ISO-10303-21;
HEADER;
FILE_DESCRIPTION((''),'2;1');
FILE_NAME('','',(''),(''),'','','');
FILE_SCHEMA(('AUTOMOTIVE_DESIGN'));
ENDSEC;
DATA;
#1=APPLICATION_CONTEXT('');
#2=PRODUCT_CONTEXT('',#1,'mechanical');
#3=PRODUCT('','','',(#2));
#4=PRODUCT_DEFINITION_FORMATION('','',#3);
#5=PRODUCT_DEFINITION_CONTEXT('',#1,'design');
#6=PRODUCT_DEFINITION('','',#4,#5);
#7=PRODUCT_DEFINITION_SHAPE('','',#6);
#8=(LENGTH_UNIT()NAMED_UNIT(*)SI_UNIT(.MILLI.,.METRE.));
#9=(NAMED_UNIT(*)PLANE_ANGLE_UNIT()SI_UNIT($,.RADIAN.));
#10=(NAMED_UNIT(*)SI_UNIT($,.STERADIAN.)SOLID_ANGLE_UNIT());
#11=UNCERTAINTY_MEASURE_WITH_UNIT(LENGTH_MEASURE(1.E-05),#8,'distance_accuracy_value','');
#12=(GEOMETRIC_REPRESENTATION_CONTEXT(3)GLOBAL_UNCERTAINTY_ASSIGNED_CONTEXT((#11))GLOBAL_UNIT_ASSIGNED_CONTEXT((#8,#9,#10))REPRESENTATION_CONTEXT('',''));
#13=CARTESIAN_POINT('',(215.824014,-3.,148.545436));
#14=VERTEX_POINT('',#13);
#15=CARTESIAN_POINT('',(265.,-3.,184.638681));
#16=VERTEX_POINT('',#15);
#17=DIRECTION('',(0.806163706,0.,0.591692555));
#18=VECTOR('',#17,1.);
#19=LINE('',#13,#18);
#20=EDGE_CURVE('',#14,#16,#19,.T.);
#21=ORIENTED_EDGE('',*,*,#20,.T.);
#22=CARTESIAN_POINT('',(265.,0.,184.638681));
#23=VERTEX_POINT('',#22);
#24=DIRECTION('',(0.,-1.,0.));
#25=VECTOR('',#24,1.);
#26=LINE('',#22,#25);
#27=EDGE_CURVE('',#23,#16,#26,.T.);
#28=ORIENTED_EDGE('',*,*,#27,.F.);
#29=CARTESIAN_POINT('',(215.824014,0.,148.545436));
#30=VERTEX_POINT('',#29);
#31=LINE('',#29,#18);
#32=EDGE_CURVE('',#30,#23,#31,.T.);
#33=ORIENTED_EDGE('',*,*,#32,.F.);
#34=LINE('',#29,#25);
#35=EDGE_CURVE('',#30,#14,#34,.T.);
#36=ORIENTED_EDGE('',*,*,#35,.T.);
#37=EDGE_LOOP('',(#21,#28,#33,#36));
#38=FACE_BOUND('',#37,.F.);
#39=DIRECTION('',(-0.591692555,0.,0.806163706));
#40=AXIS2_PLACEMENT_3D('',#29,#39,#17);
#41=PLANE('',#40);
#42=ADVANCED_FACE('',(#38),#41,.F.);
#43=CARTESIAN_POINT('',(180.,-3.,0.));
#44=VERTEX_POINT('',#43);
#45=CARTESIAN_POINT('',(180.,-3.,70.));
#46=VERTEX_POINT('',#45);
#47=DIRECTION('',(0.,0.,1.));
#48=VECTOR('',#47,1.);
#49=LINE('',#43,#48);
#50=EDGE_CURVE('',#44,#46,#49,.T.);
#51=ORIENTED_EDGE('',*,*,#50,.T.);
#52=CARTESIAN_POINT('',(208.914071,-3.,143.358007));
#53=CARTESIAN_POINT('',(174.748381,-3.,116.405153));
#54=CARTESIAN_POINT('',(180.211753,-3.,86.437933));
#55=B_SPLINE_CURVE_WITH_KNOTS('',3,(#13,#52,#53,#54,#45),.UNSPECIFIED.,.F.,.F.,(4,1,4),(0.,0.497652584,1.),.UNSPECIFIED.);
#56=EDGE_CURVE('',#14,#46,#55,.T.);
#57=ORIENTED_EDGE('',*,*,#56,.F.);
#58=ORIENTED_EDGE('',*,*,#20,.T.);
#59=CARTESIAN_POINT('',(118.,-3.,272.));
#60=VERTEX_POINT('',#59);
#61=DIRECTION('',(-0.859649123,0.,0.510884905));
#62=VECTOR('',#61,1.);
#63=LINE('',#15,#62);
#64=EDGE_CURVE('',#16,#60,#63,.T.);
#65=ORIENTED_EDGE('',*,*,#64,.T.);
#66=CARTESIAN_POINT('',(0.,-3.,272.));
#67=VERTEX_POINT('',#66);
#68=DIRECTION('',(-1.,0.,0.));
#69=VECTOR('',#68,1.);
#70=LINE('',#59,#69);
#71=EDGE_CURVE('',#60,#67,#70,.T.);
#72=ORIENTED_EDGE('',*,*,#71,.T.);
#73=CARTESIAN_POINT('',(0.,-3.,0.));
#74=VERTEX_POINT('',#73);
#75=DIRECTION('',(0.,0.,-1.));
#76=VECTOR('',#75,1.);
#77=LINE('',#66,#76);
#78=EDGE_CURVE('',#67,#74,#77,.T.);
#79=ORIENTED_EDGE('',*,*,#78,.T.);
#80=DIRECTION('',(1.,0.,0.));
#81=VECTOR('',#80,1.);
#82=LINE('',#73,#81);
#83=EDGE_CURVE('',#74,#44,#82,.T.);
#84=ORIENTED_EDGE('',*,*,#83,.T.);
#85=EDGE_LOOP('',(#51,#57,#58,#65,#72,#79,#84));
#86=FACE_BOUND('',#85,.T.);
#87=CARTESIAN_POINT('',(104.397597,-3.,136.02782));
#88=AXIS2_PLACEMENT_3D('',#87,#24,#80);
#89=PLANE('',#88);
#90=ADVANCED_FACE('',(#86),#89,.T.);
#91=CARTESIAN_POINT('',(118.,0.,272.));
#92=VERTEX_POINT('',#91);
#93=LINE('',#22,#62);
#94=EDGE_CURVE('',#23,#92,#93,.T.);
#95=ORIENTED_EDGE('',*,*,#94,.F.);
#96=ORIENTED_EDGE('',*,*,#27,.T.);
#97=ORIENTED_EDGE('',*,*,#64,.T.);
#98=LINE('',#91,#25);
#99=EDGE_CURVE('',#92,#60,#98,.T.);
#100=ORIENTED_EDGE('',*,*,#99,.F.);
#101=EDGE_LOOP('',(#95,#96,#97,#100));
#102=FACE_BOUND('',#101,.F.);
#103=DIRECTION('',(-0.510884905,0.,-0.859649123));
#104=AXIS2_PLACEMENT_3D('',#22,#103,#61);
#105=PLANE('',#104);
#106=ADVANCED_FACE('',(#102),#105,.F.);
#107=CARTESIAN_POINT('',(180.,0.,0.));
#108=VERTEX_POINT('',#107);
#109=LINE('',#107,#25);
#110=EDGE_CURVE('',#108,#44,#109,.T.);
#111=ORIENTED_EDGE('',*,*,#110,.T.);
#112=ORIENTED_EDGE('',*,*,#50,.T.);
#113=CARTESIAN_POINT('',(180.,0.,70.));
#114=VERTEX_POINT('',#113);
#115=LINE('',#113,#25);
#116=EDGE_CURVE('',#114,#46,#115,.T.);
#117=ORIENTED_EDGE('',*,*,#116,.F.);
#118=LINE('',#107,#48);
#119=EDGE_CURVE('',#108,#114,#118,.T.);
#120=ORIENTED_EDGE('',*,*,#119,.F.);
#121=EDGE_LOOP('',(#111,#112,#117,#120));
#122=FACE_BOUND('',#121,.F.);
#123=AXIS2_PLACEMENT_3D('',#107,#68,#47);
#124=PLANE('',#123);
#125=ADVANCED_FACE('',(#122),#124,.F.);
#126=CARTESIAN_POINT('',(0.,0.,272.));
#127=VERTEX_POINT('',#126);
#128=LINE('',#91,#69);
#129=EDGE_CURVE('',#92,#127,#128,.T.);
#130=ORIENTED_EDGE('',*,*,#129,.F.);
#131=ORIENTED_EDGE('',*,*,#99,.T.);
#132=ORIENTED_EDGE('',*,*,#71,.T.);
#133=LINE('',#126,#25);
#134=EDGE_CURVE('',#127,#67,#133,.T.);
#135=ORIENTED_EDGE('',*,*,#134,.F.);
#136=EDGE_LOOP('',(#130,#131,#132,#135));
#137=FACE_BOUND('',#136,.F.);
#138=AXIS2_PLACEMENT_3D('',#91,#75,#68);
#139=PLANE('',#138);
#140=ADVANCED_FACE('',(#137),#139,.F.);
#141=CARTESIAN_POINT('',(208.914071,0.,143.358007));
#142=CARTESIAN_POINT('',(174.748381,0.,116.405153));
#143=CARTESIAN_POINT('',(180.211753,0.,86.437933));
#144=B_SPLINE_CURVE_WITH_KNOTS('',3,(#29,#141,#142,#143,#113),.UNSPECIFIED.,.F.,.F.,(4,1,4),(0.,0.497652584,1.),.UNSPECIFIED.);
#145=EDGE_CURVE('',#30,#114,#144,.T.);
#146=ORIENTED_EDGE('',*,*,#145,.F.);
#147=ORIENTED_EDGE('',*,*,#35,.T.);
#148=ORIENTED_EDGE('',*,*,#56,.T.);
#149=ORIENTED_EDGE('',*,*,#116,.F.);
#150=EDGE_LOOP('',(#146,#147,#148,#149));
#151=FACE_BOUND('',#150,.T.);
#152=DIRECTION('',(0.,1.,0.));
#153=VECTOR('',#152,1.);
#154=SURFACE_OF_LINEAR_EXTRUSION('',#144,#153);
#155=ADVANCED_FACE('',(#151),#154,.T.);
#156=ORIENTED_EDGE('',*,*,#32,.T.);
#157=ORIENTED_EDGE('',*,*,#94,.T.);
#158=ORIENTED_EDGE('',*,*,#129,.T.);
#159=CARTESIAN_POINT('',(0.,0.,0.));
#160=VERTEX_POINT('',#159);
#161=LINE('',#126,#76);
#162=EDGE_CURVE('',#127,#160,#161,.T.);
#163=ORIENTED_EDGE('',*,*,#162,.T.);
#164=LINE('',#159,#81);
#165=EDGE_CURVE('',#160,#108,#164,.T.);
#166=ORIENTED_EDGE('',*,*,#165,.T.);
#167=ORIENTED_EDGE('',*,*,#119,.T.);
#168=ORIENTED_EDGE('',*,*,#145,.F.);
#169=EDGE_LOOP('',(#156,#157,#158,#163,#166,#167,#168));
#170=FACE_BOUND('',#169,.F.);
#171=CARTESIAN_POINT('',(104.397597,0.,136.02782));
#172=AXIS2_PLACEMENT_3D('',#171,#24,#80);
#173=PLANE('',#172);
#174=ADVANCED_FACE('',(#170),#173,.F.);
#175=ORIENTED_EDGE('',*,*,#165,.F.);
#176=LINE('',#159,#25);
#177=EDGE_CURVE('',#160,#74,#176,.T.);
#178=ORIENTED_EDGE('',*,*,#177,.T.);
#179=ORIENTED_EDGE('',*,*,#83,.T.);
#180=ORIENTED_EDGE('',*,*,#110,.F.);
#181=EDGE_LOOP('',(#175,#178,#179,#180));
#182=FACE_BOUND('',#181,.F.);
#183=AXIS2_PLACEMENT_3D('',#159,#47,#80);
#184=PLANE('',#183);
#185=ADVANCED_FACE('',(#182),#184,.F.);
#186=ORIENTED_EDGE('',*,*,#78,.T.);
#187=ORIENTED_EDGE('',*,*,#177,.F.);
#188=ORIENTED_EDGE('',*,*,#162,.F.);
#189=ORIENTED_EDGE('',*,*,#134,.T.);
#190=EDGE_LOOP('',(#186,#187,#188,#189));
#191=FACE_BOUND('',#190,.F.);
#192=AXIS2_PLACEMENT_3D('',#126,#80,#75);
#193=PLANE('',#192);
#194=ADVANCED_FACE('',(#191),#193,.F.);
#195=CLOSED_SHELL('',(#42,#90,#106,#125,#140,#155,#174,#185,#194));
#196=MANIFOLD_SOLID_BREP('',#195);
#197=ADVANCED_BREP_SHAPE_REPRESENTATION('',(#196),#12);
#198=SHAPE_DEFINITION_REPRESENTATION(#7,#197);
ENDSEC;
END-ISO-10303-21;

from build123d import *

# Parameters (mm, degrees)
F1_DEPTH = 3


with BuildPart() as f1:
    # F0 (on Front) → F1 (new body)
    with BuildSketch(Plane.XZ):
        with BuildLine():
            Line((0, 272), (0, 0))
            Line((0, 0), (180, 0))
            Line((180, 0), (180, 70))
            add(Edge.make_bspline(
                [(215.824013933, 148.5454355016), (208.91407131, 143.3580070922), (174.748380555, 116.4051533787), (180.2117525716, 86.4379331497), (180, 70)],
                knots=[0, 0, 0, 0, 0.4976525843, 1, 1, 1, 1], degree=3))
            Line((215.824013933, 148.5454355016), (265, 184.6386813286))
            Line((265, 184.6386813286), (118, 272))
            Line((118, 272), (0, 272))
        make_face()
    extrude(amount=F1_DEPTH)


solid = f1.part
